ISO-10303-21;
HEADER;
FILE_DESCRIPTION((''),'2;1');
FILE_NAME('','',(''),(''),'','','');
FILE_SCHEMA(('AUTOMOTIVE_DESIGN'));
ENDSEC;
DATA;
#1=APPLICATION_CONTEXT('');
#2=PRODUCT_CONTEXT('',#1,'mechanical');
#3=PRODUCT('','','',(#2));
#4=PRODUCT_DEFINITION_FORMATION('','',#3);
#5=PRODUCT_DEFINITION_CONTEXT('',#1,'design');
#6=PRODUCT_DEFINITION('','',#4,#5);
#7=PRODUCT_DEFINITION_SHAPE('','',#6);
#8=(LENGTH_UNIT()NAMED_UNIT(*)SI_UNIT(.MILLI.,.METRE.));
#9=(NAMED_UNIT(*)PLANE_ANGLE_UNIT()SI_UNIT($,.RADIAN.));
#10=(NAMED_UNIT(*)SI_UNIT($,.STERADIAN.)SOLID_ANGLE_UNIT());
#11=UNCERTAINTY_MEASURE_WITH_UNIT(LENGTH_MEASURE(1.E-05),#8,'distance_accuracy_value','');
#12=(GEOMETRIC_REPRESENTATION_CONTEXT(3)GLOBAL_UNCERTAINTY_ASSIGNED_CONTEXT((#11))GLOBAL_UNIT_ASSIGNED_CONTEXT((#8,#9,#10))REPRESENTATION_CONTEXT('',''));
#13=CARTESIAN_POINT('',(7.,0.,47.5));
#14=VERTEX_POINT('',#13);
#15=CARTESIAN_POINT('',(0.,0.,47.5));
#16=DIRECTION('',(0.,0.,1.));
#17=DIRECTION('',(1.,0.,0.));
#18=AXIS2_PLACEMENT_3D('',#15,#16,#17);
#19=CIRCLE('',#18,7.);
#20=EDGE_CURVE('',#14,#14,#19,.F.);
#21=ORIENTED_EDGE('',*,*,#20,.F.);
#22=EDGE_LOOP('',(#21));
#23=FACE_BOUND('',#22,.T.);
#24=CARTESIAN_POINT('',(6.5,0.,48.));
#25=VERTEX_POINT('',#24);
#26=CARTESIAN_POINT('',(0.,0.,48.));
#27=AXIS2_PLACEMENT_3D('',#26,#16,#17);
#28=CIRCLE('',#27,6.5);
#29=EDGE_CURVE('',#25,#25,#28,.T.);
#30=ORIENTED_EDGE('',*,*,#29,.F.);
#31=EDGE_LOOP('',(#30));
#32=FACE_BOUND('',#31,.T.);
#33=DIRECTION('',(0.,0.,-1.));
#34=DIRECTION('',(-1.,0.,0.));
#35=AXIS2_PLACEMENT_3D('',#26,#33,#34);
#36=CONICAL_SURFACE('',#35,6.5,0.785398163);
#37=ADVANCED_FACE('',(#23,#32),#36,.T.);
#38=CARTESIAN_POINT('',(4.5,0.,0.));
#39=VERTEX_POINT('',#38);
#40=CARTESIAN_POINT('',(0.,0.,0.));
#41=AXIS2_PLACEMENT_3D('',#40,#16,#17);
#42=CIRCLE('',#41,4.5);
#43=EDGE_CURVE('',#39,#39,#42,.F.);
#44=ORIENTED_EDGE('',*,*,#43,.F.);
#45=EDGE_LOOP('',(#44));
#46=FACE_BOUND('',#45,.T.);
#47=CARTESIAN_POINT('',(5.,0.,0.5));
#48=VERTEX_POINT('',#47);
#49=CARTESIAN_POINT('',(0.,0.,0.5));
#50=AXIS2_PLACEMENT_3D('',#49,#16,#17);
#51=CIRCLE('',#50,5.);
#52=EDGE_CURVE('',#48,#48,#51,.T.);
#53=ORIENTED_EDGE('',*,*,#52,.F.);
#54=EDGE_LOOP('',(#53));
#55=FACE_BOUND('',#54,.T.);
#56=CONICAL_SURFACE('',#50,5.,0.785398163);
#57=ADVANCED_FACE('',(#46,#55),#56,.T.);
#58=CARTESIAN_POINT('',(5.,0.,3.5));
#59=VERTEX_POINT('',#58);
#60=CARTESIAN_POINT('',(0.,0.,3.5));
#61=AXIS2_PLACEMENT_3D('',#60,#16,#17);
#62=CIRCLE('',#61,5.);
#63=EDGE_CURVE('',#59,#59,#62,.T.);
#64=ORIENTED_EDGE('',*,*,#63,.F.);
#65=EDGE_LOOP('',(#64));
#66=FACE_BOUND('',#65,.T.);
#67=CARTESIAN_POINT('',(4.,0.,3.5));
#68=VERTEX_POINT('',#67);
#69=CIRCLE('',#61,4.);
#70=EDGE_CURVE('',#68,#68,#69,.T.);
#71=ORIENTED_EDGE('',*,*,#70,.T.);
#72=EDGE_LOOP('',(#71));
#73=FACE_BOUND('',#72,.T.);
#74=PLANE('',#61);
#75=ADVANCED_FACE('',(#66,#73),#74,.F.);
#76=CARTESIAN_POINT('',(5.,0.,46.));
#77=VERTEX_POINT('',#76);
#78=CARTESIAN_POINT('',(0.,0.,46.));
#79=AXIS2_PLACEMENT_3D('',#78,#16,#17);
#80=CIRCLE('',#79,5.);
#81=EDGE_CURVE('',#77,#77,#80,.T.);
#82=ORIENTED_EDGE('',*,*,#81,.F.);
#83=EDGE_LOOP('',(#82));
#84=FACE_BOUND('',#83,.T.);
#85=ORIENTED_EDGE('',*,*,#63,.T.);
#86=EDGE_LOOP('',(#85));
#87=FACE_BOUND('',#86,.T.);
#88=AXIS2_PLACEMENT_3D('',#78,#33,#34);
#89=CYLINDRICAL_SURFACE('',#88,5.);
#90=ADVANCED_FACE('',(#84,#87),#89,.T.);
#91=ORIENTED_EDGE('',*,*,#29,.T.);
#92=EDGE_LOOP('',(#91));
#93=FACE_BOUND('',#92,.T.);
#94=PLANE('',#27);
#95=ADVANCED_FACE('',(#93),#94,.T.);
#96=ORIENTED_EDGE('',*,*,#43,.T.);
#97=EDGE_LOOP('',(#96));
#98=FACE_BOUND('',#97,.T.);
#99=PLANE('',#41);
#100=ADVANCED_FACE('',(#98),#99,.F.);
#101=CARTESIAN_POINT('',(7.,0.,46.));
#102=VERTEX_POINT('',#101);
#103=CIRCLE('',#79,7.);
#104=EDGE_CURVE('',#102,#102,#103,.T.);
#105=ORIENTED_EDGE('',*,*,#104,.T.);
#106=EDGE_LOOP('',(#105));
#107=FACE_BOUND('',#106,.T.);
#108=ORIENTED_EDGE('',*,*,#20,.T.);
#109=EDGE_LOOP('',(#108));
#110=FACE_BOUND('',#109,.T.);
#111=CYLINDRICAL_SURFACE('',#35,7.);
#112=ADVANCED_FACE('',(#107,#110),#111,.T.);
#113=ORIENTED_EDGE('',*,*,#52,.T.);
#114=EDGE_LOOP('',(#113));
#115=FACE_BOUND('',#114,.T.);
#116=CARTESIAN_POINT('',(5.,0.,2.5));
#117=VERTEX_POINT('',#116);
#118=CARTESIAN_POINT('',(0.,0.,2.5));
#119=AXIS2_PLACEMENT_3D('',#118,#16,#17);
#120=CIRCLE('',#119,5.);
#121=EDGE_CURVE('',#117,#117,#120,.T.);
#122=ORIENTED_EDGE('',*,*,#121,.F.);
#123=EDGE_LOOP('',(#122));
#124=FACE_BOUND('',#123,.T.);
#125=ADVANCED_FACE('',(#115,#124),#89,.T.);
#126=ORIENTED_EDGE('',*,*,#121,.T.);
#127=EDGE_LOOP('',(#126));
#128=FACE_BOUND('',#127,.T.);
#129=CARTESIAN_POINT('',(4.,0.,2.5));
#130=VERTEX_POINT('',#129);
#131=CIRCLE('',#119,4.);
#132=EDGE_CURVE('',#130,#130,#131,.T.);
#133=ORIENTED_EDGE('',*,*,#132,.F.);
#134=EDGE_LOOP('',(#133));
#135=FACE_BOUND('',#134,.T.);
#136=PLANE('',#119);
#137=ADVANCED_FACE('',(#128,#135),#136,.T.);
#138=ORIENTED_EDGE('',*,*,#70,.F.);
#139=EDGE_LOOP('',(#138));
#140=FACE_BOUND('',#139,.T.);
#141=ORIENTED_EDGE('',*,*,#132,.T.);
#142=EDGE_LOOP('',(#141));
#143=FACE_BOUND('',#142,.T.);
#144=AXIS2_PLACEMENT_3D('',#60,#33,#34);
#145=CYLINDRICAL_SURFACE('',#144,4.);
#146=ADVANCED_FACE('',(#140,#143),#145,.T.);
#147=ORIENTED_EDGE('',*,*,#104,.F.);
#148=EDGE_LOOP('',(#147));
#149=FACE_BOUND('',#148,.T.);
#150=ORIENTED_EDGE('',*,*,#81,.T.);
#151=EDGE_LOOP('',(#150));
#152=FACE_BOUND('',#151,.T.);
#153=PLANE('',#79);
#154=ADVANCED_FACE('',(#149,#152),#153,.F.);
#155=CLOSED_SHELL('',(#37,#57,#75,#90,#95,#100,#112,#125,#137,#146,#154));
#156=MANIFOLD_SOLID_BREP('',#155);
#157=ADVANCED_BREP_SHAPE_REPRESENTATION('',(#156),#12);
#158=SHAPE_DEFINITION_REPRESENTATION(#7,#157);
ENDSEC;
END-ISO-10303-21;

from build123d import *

# Parameters (mm, degrees)
SKETCH_1_R          = 5
EXTRUDE_1_DEPTH     = 46
SKETCH_2_R          = 7
EXTRUDE_2_DEPTH     = 2
CHAMFER_1_SIZE      = 0.5
CUT_EXTRUDE_START   = 2.5
SKETCH_3_R          = 14
SKETCH_3_R_2        = 4
CUT_EXTRUDE_1_DEPTH = 1


with BuildPart() as part:
    # 草图1 → 凸台-拉伸1 (new body)
    with BuildSketch(Plane.XY):
        Circle(SKETCH_1_R)
    extrude(amount=EXTRUDE_1_DEPTH)

    # 草图2 → 凸台-拉伸2 (add)
    with BuildSketch(Plane.XY.offset(46)):
        Circle(SKETCH_2_R)
    extrude(amount=EXTRUDE_2_DEPTH)

    # 倒角1
    chamfer_1_edges = [part.edges().sort_by_distance(p)[0] for p in [
        (-5, 0, 0),
        (-7, 0, 48),
    ]]
    chamfer(chamfer_1_edges, length=CHAMFER_1_SIZE)

    # 草图3 → 切除-拉伸-薄壁1 (cut)
    with BuildSketch(Plane.XY.offset(CUT_EXTRUDE_START)):
        Circle(SKETCH_3_R)
        Circle(SKETCH_3_R_2, mode=Mode.SUBTRACT)
    extrude(amount=CUT_EXTRUDE_1_DEPTH, mode=Mode.SUBTRACT)


solid = part.part
